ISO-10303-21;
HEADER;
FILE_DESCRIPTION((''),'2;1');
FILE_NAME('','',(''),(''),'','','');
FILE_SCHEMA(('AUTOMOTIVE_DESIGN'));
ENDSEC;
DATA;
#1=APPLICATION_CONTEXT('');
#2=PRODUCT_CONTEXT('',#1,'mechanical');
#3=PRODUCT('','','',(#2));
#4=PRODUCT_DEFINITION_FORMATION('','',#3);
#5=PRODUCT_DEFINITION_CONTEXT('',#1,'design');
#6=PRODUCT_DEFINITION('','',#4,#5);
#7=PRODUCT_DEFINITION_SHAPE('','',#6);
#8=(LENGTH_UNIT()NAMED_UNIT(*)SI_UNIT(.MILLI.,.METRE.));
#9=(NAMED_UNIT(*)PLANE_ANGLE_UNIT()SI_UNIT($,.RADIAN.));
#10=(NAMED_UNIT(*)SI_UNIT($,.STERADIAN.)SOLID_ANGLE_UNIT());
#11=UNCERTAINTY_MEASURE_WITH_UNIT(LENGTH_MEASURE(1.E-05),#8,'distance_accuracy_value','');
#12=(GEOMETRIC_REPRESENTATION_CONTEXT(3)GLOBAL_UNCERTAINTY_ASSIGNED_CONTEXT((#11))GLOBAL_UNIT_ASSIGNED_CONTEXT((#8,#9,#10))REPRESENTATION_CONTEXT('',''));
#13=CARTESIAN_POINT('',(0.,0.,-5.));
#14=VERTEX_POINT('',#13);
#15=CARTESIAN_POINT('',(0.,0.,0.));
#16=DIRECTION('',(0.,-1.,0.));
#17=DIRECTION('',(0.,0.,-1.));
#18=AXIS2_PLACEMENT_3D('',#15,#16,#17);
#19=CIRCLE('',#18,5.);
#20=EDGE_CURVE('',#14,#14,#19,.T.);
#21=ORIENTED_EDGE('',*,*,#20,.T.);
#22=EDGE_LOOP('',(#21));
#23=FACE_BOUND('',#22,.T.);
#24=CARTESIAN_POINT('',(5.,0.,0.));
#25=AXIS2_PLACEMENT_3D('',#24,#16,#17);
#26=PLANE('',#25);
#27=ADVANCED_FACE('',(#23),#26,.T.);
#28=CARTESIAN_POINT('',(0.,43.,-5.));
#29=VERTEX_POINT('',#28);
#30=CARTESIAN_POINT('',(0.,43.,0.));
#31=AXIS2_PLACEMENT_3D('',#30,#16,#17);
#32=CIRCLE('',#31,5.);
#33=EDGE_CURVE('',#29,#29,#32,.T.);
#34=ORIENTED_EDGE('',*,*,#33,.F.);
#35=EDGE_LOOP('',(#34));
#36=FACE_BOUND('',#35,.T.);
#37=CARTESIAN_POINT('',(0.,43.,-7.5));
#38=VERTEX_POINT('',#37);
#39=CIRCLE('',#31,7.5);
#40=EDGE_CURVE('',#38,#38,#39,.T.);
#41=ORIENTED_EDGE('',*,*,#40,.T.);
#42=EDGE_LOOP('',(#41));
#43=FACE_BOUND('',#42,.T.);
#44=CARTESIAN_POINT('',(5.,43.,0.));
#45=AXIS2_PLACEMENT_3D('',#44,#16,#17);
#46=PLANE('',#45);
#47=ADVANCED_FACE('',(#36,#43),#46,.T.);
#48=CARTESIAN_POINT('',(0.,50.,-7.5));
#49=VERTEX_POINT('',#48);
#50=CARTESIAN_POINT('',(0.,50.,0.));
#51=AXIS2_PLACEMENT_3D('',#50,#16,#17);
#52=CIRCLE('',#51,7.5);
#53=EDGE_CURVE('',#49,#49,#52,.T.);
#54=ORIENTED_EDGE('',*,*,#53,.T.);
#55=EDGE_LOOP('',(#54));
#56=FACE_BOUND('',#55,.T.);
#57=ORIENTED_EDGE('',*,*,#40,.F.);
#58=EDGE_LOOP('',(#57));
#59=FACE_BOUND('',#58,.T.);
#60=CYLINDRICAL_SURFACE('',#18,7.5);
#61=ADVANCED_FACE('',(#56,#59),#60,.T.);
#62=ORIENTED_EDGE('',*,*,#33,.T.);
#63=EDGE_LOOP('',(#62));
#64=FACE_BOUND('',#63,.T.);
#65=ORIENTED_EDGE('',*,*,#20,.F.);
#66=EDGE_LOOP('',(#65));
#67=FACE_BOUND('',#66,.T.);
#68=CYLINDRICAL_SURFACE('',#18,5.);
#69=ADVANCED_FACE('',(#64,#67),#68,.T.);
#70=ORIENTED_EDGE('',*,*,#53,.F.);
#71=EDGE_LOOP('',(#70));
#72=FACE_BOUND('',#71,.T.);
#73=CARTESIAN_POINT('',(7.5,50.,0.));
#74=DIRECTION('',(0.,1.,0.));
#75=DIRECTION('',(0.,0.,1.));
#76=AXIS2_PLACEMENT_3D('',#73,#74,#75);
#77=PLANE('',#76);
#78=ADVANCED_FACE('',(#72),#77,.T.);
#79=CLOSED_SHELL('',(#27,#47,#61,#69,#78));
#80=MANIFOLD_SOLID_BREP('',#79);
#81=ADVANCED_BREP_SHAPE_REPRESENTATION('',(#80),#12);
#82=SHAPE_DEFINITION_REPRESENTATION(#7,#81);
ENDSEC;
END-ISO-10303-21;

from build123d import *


with BuildPart() as part:
    # Sketch1 → Revolve1 (revolve)
    with BuildSketch(Plane.XY):
        Polygon((5, 0), (5, 43), (7.5, 43), (7.5, 50), (0, 50), (0, 0), align=None)
    revolve(axis=Axis((0, 0, 0), (0, 1, 0)))


solid = part.part
